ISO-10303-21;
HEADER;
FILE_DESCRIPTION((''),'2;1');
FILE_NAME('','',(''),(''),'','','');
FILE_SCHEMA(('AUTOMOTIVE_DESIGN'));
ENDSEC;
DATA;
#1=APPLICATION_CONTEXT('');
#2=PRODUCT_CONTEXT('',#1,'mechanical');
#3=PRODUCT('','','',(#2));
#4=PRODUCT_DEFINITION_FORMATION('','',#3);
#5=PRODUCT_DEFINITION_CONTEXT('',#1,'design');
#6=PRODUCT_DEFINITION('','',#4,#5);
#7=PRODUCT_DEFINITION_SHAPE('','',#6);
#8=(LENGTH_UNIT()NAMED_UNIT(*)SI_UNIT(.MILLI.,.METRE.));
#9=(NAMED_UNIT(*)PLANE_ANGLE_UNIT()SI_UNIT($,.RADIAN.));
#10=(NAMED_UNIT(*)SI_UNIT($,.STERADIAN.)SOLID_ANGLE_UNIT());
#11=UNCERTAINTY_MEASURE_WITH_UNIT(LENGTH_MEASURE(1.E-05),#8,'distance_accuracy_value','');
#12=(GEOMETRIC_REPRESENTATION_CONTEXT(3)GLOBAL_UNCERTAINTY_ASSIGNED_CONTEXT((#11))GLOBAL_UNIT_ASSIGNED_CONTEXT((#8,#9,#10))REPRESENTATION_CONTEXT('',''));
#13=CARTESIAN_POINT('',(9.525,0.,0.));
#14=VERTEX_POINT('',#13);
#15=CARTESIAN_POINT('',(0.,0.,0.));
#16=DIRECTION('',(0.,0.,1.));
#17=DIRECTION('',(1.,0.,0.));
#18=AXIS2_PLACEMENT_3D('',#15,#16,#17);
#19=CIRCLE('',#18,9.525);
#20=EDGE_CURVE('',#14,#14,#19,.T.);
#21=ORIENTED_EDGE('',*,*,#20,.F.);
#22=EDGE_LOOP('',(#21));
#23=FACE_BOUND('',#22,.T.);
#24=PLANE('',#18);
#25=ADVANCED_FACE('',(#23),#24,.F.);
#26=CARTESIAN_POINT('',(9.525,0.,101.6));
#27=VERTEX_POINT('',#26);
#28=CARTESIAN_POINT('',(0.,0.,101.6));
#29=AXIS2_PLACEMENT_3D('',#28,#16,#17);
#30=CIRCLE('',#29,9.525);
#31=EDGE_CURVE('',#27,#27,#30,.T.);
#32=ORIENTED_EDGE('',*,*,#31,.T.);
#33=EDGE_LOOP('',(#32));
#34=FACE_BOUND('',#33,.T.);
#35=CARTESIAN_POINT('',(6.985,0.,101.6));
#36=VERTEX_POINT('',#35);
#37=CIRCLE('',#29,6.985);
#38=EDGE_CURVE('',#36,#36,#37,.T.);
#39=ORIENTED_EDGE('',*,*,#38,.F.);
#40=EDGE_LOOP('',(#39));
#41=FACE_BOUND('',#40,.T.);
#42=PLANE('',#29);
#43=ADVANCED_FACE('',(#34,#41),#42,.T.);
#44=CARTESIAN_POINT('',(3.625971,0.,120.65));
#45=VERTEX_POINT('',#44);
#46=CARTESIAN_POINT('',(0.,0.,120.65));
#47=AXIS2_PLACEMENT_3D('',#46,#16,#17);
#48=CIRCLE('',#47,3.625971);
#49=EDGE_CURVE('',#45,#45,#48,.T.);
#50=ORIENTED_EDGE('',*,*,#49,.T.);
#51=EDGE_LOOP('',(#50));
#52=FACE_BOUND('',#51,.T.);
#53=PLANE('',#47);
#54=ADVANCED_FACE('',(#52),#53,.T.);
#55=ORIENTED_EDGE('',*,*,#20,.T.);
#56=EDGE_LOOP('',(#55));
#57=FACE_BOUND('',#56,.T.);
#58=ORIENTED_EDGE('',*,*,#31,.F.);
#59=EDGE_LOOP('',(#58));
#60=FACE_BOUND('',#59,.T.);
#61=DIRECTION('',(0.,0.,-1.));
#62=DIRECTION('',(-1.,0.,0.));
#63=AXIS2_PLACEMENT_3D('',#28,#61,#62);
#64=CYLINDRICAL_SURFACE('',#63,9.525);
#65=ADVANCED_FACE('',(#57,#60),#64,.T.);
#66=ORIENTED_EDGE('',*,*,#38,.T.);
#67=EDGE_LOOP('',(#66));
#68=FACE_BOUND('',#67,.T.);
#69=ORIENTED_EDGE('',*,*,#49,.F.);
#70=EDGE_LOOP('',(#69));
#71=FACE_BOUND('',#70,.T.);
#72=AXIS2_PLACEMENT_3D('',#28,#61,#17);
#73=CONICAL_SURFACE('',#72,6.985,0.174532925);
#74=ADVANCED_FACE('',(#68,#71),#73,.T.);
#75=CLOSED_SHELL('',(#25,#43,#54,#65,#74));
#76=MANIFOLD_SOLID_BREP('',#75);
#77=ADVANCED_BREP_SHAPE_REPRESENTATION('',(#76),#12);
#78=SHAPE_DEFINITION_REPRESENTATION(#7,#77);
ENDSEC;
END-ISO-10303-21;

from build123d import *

# Parameters (mm, degrees)
SKETCH1_R           = 9.525
BASE_EXTRUDE_DEPTH  = 101.6
SKETCH2_R           = 6.985
BOSS_EXTRUDE1_DEPTH = 19.05
BOSS_EXTRUDE1_TAPER = 10


with BuildPart() as part:
    # Sketch1 → Base-Extrude (new body)
    with BuildSketch(Plane.XY):
        Circle(SKETCH1_R)
    extrude(amount=BASE_EXTRUDE_DEPTH)

    # Sketch2 → Boss-Extrude1 (add)
    with BuildSketch(Plane.XY.offset(101.6)):
        Circle(SKETCH2_R)
    extrude(amount=BOSS_EXTRUDE1_DEPTH, taper=BOSS_EXTRUDE1_TAPER)


solid = part.part
